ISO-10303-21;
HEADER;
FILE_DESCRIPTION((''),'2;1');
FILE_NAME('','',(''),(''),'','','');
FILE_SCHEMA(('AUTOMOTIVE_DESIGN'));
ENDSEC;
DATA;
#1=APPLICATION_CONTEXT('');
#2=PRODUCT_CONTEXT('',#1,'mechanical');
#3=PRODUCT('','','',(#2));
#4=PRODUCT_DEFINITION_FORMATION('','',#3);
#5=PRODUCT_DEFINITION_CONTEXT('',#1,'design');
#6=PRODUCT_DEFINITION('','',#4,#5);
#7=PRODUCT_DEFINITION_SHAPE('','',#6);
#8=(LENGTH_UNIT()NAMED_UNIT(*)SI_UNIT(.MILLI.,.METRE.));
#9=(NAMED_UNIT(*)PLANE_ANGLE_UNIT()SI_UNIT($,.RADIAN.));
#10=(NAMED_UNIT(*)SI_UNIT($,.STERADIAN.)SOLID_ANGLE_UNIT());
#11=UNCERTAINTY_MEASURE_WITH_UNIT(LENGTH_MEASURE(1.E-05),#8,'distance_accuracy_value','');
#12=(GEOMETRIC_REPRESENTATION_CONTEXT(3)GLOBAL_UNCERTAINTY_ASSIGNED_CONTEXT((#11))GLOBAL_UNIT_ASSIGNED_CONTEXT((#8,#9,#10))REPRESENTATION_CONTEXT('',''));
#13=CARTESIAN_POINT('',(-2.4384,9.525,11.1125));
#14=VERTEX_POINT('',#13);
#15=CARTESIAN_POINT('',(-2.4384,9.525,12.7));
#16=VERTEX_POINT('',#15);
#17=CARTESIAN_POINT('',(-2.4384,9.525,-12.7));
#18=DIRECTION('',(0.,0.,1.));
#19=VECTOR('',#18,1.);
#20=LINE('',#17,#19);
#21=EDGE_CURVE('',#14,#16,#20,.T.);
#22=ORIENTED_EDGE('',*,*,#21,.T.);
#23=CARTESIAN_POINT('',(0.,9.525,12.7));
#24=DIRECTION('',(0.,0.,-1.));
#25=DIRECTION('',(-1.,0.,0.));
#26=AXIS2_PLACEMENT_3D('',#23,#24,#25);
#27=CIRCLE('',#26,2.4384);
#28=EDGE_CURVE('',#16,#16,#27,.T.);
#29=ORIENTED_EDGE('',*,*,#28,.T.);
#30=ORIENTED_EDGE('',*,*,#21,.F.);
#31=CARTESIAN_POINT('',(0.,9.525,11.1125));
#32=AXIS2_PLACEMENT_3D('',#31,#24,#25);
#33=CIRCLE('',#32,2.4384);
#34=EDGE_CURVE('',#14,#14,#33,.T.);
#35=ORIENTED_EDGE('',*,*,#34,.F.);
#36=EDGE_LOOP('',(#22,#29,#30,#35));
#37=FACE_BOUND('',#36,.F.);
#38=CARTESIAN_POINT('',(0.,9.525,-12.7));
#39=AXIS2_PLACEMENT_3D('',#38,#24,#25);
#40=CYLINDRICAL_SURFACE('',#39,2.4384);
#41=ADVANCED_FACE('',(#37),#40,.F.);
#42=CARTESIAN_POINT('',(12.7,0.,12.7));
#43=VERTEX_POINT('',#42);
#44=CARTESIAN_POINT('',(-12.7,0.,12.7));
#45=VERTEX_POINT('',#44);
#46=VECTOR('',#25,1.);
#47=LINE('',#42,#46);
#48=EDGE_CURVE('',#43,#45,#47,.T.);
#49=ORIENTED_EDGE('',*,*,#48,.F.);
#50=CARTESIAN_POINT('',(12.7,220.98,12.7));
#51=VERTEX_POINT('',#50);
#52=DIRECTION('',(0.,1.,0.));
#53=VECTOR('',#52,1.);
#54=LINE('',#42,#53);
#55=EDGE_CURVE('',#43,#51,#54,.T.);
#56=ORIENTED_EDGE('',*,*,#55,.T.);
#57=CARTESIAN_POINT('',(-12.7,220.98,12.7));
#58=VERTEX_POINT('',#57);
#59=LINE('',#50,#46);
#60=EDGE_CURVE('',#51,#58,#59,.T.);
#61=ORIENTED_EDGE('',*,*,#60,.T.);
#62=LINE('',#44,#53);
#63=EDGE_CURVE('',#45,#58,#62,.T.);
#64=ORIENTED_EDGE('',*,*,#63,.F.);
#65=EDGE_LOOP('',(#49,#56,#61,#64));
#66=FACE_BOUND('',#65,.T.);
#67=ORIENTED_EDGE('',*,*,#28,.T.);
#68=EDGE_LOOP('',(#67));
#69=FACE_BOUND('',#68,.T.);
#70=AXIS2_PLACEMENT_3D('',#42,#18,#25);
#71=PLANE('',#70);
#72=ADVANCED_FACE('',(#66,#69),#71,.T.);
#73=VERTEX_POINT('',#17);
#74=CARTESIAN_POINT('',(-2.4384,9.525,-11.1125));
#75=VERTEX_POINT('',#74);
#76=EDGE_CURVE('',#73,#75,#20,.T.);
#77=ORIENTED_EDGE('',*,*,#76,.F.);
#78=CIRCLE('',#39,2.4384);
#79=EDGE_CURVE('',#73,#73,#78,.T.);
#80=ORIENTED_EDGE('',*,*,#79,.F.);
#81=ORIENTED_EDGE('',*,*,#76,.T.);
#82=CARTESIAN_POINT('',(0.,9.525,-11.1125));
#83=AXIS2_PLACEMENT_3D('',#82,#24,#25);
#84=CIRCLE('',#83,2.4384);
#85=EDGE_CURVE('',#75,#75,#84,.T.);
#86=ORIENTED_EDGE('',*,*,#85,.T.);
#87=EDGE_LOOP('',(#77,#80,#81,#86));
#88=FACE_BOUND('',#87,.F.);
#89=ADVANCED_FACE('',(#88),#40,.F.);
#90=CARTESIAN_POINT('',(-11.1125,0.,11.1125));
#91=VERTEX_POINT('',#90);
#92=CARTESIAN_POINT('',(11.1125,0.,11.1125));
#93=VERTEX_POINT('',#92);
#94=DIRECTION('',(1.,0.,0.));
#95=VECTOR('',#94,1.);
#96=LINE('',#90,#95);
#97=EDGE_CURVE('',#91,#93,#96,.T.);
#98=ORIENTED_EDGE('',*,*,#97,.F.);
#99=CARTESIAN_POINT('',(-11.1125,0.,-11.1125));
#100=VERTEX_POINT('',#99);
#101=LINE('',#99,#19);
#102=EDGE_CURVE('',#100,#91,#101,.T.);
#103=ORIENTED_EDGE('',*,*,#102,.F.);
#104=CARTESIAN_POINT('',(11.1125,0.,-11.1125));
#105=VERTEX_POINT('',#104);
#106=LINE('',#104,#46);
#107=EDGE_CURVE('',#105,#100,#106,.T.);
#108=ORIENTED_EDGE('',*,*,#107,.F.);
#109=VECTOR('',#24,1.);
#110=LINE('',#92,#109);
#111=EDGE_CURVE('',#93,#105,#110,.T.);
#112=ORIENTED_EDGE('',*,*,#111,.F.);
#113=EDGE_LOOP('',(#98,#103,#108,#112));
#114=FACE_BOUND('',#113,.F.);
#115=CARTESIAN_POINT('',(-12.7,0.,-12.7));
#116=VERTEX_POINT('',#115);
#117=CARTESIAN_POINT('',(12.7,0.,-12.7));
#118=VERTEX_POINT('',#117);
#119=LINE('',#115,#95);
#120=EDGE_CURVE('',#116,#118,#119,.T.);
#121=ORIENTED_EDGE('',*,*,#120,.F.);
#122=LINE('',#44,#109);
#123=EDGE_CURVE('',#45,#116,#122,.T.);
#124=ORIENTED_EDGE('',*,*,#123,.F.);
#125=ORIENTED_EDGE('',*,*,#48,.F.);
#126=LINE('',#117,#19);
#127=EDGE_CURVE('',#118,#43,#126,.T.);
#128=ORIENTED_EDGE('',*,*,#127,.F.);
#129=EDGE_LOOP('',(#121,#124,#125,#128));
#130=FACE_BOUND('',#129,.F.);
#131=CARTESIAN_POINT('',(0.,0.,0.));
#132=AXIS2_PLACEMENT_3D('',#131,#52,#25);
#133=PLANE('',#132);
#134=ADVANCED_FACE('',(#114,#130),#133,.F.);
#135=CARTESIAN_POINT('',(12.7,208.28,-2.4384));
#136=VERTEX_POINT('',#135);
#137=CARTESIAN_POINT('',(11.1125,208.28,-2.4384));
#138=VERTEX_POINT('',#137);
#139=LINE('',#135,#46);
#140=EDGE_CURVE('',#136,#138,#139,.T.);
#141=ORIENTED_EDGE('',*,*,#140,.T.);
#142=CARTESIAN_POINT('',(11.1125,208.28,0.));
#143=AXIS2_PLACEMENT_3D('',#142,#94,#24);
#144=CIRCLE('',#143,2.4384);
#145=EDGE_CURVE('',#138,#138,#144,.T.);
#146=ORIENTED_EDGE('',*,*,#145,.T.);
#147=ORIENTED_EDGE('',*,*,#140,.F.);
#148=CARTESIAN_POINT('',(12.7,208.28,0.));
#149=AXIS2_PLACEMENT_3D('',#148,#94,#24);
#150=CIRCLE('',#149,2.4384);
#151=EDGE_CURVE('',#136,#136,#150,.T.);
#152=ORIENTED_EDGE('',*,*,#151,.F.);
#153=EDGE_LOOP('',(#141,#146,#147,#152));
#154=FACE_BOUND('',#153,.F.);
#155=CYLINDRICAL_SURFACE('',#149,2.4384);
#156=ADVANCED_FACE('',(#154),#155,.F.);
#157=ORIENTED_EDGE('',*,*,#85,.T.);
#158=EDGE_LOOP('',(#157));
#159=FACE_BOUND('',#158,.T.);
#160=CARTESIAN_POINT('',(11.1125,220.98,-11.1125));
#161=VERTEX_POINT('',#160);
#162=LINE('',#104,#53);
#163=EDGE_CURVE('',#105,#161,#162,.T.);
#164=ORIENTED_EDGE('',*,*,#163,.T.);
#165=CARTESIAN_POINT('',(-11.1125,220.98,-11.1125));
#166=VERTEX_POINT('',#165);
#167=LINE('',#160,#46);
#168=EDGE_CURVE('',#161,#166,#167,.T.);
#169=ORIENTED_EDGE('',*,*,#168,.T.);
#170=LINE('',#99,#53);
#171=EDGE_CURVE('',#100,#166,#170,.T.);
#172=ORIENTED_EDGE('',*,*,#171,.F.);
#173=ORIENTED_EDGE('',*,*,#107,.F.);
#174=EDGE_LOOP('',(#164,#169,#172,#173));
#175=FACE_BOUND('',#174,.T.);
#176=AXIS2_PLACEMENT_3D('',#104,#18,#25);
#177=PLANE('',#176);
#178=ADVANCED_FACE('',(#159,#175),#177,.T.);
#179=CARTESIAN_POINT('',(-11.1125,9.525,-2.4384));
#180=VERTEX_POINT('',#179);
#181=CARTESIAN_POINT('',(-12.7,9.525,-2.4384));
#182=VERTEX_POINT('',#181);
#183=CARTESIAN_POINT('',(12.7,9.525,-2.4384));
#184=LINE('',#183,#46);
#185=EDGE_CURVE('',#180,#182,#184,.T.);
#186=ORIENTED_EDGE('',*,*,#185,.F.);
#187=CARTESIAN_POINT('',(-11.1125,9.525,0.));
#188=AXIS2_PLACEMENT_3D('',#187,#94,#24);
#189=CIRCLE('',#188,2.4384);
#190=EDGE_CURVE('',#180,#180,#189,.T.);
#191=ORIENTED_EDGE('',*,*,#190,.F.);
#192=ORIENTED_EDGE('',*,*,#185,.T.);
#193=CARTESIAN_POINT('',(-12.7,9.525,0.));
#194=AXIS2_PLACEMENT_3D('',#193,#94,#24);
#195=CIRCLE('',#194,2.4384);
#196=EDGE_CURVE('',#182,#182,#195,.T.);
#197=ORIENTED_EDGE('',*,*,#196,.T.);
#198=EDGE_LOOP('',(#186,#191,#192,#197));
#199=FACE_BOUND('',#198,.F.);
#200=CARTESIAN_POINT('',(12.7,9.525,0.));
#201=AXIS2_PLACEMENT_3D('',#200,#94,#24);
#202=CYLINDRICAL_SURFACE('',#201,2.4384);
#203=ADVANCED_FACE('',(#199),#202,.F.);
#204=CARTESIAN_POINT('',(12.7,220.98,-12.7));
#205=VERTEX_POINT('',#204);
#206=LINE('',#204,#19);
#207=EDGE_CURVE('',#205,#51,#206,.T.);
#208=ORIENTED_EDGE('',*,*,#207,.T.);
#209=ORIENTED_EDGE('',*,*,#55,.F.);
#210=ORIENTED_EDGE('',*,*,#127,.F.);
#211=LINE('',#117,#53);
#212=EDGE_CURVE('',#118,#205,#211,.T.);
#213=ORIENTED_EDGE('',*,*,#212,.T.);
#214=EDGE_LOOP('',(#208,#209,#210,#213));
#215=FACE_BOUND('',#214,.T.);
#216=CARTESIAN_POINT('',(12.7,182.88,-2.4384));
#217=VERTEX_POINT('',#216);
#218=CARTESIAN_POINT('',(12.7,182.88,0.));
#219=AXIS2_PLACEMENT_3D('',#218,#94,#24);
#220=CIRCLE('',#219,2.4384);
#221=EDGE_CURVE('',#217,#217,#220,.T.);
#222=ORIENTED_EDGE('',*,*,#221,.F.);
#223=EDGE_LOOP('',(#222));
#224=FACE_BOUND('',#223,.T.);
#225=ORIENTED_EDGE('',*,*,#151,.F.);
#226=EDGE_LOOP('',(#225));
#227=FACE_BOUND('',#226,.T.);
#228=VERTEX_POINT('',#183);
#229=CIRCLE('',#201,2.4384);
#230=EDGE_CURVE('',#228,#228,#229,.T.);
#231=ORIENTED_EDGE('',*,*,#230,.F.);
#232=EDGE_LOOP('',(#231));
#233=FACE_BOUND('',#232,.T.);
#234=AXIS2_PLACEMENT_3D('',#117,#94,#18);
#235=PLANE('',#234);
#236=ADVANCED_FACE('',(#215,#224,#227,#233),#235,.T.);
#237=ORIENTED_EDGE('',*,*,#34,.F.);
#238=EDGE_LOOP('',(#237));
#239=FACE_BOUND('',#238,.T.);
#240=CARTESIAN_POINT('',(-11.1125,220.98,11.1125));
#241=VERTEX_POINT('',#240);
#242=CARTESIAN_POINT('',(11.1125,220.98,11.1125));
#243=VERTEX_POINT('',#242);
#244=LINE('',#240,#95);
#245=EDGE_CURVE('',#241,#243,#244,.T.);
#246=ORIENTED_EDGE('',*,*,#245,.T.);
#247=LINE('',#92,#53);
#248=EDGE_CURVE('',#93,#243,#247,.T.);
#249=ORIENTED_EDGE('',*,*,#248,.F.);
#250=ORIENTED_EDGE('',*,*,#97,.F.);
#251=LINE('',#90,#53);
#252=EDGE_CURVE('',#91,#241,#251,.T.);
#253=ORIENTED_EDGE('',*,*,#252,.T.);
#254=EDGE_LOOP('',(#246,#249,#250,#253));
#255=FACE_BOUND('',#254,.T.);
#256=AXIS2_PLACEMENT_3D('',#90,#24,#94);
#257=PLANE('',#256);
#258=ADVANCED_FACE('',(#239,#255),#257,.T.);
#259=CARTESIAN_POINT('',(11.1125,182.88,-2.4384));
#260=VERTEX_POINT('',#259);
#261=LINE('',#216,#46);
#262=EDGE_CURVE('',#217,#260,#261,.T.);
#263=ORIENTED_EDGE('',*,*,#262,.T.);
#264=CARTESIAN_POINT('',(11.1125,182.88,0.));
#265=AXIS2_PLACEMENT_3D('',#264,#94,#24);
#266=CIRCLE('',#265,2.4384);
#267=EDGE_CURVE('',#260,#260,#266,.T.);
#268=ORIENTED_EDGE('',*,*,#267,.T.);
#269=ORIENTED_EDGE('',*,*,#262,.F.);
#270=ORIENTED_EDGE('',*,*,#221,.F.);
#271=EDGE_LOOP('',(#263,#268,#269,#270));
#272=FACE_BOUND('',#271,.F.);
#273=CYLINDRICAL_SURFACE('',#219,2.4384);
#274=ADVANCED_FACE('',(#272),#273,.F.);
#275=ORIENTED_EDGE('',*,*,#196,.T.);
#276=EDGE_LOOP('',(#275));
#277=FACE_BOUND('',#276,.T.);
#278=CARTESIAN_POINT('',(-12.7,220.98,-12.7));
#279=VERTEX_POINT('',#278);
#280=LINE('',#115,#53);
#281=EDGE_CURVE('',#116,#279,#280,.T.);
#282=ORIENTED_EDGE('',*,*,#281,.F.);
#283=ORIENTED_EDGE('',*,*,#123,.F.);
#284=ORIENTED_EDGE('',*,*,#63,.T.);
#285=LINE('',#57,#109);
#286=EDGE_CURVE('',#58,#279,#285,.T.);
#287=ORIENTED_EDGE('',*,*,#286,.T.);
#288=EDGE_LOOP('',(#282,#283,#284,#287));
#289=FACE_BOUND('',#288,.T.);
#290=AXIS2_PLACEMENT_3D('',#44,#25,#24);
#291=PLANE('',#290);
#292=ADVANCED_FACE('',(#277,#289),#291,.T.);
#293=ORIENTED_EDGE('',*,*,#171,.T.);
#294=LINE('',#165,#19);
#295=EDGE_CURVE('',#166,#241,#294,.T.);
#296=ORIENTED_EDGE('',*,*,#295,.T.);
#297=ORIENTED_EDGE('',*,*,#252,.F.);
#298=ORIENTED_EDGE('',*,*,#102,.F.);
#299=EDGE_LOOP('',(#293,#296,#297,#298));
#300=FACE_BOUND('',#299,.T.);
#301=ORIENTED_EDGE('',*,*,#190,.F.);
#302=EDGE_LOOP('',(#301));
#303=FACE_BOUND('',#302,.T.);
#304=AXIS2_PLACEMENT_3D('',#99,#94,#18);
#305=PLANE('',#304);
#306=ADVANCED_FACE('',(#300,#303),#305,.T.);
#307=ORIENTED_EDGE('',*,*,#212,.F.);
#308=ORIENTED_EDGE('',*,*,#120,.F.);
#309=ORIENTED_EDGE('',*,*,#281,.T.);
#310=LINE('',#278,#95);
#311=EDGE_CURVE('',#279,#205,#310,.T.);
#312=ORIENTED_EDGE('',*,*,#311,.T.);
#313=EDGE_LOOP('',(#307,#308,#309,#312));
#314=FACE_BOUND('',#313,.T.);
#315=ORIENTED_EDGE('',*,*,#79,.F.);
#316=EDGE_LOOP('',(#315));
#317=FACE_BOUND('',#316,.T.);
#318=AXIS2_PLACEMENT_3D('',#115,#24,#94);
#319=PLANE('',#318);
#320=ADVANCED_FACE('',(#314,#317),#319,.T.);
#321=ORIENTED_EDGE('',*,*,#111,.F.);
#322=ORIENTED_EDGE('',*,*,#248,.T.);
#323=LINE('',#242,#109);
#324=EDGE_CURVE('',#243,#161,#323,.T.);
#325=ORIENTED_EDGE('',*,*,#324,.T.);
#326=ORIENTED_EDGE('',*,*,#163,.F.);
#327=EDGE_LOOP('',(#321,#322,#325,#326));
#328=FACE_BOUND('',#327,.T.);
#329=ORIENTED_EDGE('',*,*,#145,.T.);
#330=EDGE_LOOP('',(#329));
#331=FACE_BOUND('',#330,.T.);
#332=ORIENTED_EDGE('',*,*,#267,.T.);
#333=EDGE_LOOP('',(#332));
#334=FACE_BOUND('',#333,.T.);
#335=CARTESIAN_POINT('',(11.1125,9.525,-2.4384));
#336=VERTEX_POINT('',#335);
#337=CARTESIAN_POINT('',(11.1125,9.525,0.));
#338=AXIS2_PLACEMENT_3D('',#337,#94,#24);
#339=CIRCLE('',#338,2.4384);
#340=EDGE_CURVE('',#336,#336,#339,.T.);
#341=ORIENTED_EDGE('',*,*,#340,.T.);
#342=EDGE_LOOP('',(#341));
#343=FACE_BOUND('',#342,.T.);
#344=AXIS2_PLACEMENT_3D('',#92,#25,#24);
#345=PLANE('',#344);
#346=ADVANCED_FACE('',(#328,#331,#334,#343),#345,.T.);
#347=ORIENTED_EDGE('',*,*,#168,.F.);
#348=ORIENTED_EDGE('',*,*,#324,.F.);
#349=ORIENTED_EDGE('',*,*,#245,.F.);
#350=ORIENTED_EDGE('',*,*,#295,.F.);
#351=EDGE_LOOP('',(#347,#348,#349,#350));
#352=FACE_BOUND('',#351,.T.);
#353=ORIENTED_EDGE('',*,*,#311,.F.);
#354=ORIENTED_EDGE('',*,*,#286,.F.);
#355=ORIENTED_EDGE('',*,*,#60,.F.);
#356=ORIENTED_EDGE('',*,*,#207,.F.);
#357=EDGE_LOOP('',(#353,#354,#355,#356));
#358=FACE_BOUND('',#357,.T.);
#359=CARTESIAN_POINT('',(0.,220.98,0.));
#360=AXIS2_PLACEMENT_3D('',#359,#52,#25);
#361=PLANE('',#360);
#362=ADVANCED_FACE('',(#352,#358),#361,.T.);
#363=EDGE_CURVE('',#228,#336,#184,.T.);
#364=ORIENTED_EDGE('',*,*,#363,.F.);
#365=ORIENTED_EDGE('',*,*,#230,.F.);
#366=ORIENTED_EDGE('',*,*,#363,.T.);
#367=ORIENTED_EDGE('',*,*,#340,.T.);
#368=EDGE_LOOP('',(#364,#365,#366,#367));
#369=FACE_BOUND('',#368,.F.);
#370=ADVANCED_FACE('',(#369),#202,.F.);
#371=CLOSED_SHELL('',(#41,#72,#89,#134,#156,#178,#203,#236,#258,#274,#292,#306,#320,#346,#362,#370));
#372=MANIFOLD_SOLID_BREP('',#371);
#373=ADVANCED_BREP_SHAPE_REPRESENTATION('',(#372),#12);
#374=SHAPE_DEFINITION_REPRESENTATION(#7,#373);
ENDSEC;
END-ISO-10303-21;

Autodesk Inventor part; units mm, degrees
ref_plane "YZ Plane" through (0, 0, 0) normal (1, 0, 0) x (0, 1, 0)
ref_plane "XZ Plane" through (0, 0, 0) normal (0, 1, 0) x (-1, 0, 0)
ref_plane "XY Plane" through (0, 0, 0) normal (0, 0, 1) x (1, 0, 0)
sketch "Sketch1" plane through (0, 0, 0) normal (0, 1, 0) x (-1, 0, 0)
  line L0 (-12.7, 12.7) -> (12.7, 12.7)
  line L1 (12.7, 12.7) -> (12.7, -12.7)
  line L2 (12.7, -12.7) -> (-12.7, -12.7)
  line L3 (-12.7, -12.7) -> (-12.7, 12.7)
  line L4 (-12.7, 12.7) -> (12.7, -12.7) construction
  line L5 (12.7, 12.7) -> (-12.7, -12.7) construction
  line L6 (11.1125, -11.1125) -> (11.1125, 11.1125)
  line L7 (11.1125, 11.1125) -> (-11.1125, 11.1125)
  line L8 (-11.1125, 11.1125) -> (-11.1125, -11.1125)
  line L9 (-11.1125, -11.1125) -> (11.1125, -11.1125)
  point P0 (0, 0)
  dimension "d0" = 25.4
  dimension "d1" = 25.4
  dimension "d2" = 1.5875
extrude "Extrusion1" add sketch "Sketch1" along normal blind 220.98
sketch "Sketch2" plane through (12.7, 0, 12.7) normal (1, 0, 0) x (0, 0, -1)
  line L0 (12.7, 0) -> (22.225, 0) construction
  line L1 (0, 0) -> (25.4, 0) construction
  line L2 (12.7, 0) -> (3.175, 0) construction
  line L3 (3.175, 0) -> (3.175, 19.05) construction
  line L4 (3.175, 19.05) -> (22.225, 19.05) construction
  line L5 (22.225, 19.05) -> (22.225, 0) construction
  line L6 (3.175, 19.05) -> (22.225, 0) construction
  line L7 (22.225, 19.05) -> (3.175, 0) construction
  circle A0 centre (12.7, 9.525) radius 2.4384
  dimension "d5" = 9.525
  dimension "d7" = 9.525
  dimension "d8" = 19.05
  dimension "d9" = 4.8768
extrude "Extrusion2" cut sketch "Sketch2" against normal blind 25.4
sketch "Sketch3" plane through (12.7, 0, -12.7) normal (0, 0, -1) x (-1, 0, 0)
  line L0 (12.7, 0) -> (22.225, 0) construction
  line L1 (0, 0) -> (25.4, 0) construction
  line L2 (12.7, 0) -> (3.175, 0) construction
  line L3 (3.175, 0) -> (3.175, 19.05) construction
  line L4 (3.175, 19.05) -> (22.225, 19.05) construction
  line L5 (22.225, 19.05) -> (22.225, 0) construction
  line L6 (3.175, 19.05) -> (22.225, 0) construction
  line L7 (22.225, 19.05) -> (3.175, 0) construction
  circle A0 centre (12.7, 9.525) radius 2.4384
  point P0 (12.7, 0)
  dimension "d13" = 9.525
  dimension "d14" = 9.525
  dimension "d15" = 19.05
  dimension "d16" = 4.8768
extrude "Extrusion3" cut sketch "Sketch3" against normal blind 25.4
sketch "Sketch4" plane through (12.7, 0, 12.7) normal (1, 0, 0) x (0, 0, -1)
  circle A0 centre (12.7, 208.28) radius 2.4384
  circle A1 centre (12.7, 182.88) radius 2.4384
  line L0 (0, 220.98) -> (25.4, 220.98) projected
  point P0 (12.7, 0)
  dimension "d19" = 12.7
  dimension "d20" = 4.8768
  dimension "d21" = 25.4
extrude "Extrusion4" cut sketch "Sketch4" against normal blind 7.62
equation "\"d7\" = d5"
equation "\"d14\" = d13"
properties part number "metal tube piece"
